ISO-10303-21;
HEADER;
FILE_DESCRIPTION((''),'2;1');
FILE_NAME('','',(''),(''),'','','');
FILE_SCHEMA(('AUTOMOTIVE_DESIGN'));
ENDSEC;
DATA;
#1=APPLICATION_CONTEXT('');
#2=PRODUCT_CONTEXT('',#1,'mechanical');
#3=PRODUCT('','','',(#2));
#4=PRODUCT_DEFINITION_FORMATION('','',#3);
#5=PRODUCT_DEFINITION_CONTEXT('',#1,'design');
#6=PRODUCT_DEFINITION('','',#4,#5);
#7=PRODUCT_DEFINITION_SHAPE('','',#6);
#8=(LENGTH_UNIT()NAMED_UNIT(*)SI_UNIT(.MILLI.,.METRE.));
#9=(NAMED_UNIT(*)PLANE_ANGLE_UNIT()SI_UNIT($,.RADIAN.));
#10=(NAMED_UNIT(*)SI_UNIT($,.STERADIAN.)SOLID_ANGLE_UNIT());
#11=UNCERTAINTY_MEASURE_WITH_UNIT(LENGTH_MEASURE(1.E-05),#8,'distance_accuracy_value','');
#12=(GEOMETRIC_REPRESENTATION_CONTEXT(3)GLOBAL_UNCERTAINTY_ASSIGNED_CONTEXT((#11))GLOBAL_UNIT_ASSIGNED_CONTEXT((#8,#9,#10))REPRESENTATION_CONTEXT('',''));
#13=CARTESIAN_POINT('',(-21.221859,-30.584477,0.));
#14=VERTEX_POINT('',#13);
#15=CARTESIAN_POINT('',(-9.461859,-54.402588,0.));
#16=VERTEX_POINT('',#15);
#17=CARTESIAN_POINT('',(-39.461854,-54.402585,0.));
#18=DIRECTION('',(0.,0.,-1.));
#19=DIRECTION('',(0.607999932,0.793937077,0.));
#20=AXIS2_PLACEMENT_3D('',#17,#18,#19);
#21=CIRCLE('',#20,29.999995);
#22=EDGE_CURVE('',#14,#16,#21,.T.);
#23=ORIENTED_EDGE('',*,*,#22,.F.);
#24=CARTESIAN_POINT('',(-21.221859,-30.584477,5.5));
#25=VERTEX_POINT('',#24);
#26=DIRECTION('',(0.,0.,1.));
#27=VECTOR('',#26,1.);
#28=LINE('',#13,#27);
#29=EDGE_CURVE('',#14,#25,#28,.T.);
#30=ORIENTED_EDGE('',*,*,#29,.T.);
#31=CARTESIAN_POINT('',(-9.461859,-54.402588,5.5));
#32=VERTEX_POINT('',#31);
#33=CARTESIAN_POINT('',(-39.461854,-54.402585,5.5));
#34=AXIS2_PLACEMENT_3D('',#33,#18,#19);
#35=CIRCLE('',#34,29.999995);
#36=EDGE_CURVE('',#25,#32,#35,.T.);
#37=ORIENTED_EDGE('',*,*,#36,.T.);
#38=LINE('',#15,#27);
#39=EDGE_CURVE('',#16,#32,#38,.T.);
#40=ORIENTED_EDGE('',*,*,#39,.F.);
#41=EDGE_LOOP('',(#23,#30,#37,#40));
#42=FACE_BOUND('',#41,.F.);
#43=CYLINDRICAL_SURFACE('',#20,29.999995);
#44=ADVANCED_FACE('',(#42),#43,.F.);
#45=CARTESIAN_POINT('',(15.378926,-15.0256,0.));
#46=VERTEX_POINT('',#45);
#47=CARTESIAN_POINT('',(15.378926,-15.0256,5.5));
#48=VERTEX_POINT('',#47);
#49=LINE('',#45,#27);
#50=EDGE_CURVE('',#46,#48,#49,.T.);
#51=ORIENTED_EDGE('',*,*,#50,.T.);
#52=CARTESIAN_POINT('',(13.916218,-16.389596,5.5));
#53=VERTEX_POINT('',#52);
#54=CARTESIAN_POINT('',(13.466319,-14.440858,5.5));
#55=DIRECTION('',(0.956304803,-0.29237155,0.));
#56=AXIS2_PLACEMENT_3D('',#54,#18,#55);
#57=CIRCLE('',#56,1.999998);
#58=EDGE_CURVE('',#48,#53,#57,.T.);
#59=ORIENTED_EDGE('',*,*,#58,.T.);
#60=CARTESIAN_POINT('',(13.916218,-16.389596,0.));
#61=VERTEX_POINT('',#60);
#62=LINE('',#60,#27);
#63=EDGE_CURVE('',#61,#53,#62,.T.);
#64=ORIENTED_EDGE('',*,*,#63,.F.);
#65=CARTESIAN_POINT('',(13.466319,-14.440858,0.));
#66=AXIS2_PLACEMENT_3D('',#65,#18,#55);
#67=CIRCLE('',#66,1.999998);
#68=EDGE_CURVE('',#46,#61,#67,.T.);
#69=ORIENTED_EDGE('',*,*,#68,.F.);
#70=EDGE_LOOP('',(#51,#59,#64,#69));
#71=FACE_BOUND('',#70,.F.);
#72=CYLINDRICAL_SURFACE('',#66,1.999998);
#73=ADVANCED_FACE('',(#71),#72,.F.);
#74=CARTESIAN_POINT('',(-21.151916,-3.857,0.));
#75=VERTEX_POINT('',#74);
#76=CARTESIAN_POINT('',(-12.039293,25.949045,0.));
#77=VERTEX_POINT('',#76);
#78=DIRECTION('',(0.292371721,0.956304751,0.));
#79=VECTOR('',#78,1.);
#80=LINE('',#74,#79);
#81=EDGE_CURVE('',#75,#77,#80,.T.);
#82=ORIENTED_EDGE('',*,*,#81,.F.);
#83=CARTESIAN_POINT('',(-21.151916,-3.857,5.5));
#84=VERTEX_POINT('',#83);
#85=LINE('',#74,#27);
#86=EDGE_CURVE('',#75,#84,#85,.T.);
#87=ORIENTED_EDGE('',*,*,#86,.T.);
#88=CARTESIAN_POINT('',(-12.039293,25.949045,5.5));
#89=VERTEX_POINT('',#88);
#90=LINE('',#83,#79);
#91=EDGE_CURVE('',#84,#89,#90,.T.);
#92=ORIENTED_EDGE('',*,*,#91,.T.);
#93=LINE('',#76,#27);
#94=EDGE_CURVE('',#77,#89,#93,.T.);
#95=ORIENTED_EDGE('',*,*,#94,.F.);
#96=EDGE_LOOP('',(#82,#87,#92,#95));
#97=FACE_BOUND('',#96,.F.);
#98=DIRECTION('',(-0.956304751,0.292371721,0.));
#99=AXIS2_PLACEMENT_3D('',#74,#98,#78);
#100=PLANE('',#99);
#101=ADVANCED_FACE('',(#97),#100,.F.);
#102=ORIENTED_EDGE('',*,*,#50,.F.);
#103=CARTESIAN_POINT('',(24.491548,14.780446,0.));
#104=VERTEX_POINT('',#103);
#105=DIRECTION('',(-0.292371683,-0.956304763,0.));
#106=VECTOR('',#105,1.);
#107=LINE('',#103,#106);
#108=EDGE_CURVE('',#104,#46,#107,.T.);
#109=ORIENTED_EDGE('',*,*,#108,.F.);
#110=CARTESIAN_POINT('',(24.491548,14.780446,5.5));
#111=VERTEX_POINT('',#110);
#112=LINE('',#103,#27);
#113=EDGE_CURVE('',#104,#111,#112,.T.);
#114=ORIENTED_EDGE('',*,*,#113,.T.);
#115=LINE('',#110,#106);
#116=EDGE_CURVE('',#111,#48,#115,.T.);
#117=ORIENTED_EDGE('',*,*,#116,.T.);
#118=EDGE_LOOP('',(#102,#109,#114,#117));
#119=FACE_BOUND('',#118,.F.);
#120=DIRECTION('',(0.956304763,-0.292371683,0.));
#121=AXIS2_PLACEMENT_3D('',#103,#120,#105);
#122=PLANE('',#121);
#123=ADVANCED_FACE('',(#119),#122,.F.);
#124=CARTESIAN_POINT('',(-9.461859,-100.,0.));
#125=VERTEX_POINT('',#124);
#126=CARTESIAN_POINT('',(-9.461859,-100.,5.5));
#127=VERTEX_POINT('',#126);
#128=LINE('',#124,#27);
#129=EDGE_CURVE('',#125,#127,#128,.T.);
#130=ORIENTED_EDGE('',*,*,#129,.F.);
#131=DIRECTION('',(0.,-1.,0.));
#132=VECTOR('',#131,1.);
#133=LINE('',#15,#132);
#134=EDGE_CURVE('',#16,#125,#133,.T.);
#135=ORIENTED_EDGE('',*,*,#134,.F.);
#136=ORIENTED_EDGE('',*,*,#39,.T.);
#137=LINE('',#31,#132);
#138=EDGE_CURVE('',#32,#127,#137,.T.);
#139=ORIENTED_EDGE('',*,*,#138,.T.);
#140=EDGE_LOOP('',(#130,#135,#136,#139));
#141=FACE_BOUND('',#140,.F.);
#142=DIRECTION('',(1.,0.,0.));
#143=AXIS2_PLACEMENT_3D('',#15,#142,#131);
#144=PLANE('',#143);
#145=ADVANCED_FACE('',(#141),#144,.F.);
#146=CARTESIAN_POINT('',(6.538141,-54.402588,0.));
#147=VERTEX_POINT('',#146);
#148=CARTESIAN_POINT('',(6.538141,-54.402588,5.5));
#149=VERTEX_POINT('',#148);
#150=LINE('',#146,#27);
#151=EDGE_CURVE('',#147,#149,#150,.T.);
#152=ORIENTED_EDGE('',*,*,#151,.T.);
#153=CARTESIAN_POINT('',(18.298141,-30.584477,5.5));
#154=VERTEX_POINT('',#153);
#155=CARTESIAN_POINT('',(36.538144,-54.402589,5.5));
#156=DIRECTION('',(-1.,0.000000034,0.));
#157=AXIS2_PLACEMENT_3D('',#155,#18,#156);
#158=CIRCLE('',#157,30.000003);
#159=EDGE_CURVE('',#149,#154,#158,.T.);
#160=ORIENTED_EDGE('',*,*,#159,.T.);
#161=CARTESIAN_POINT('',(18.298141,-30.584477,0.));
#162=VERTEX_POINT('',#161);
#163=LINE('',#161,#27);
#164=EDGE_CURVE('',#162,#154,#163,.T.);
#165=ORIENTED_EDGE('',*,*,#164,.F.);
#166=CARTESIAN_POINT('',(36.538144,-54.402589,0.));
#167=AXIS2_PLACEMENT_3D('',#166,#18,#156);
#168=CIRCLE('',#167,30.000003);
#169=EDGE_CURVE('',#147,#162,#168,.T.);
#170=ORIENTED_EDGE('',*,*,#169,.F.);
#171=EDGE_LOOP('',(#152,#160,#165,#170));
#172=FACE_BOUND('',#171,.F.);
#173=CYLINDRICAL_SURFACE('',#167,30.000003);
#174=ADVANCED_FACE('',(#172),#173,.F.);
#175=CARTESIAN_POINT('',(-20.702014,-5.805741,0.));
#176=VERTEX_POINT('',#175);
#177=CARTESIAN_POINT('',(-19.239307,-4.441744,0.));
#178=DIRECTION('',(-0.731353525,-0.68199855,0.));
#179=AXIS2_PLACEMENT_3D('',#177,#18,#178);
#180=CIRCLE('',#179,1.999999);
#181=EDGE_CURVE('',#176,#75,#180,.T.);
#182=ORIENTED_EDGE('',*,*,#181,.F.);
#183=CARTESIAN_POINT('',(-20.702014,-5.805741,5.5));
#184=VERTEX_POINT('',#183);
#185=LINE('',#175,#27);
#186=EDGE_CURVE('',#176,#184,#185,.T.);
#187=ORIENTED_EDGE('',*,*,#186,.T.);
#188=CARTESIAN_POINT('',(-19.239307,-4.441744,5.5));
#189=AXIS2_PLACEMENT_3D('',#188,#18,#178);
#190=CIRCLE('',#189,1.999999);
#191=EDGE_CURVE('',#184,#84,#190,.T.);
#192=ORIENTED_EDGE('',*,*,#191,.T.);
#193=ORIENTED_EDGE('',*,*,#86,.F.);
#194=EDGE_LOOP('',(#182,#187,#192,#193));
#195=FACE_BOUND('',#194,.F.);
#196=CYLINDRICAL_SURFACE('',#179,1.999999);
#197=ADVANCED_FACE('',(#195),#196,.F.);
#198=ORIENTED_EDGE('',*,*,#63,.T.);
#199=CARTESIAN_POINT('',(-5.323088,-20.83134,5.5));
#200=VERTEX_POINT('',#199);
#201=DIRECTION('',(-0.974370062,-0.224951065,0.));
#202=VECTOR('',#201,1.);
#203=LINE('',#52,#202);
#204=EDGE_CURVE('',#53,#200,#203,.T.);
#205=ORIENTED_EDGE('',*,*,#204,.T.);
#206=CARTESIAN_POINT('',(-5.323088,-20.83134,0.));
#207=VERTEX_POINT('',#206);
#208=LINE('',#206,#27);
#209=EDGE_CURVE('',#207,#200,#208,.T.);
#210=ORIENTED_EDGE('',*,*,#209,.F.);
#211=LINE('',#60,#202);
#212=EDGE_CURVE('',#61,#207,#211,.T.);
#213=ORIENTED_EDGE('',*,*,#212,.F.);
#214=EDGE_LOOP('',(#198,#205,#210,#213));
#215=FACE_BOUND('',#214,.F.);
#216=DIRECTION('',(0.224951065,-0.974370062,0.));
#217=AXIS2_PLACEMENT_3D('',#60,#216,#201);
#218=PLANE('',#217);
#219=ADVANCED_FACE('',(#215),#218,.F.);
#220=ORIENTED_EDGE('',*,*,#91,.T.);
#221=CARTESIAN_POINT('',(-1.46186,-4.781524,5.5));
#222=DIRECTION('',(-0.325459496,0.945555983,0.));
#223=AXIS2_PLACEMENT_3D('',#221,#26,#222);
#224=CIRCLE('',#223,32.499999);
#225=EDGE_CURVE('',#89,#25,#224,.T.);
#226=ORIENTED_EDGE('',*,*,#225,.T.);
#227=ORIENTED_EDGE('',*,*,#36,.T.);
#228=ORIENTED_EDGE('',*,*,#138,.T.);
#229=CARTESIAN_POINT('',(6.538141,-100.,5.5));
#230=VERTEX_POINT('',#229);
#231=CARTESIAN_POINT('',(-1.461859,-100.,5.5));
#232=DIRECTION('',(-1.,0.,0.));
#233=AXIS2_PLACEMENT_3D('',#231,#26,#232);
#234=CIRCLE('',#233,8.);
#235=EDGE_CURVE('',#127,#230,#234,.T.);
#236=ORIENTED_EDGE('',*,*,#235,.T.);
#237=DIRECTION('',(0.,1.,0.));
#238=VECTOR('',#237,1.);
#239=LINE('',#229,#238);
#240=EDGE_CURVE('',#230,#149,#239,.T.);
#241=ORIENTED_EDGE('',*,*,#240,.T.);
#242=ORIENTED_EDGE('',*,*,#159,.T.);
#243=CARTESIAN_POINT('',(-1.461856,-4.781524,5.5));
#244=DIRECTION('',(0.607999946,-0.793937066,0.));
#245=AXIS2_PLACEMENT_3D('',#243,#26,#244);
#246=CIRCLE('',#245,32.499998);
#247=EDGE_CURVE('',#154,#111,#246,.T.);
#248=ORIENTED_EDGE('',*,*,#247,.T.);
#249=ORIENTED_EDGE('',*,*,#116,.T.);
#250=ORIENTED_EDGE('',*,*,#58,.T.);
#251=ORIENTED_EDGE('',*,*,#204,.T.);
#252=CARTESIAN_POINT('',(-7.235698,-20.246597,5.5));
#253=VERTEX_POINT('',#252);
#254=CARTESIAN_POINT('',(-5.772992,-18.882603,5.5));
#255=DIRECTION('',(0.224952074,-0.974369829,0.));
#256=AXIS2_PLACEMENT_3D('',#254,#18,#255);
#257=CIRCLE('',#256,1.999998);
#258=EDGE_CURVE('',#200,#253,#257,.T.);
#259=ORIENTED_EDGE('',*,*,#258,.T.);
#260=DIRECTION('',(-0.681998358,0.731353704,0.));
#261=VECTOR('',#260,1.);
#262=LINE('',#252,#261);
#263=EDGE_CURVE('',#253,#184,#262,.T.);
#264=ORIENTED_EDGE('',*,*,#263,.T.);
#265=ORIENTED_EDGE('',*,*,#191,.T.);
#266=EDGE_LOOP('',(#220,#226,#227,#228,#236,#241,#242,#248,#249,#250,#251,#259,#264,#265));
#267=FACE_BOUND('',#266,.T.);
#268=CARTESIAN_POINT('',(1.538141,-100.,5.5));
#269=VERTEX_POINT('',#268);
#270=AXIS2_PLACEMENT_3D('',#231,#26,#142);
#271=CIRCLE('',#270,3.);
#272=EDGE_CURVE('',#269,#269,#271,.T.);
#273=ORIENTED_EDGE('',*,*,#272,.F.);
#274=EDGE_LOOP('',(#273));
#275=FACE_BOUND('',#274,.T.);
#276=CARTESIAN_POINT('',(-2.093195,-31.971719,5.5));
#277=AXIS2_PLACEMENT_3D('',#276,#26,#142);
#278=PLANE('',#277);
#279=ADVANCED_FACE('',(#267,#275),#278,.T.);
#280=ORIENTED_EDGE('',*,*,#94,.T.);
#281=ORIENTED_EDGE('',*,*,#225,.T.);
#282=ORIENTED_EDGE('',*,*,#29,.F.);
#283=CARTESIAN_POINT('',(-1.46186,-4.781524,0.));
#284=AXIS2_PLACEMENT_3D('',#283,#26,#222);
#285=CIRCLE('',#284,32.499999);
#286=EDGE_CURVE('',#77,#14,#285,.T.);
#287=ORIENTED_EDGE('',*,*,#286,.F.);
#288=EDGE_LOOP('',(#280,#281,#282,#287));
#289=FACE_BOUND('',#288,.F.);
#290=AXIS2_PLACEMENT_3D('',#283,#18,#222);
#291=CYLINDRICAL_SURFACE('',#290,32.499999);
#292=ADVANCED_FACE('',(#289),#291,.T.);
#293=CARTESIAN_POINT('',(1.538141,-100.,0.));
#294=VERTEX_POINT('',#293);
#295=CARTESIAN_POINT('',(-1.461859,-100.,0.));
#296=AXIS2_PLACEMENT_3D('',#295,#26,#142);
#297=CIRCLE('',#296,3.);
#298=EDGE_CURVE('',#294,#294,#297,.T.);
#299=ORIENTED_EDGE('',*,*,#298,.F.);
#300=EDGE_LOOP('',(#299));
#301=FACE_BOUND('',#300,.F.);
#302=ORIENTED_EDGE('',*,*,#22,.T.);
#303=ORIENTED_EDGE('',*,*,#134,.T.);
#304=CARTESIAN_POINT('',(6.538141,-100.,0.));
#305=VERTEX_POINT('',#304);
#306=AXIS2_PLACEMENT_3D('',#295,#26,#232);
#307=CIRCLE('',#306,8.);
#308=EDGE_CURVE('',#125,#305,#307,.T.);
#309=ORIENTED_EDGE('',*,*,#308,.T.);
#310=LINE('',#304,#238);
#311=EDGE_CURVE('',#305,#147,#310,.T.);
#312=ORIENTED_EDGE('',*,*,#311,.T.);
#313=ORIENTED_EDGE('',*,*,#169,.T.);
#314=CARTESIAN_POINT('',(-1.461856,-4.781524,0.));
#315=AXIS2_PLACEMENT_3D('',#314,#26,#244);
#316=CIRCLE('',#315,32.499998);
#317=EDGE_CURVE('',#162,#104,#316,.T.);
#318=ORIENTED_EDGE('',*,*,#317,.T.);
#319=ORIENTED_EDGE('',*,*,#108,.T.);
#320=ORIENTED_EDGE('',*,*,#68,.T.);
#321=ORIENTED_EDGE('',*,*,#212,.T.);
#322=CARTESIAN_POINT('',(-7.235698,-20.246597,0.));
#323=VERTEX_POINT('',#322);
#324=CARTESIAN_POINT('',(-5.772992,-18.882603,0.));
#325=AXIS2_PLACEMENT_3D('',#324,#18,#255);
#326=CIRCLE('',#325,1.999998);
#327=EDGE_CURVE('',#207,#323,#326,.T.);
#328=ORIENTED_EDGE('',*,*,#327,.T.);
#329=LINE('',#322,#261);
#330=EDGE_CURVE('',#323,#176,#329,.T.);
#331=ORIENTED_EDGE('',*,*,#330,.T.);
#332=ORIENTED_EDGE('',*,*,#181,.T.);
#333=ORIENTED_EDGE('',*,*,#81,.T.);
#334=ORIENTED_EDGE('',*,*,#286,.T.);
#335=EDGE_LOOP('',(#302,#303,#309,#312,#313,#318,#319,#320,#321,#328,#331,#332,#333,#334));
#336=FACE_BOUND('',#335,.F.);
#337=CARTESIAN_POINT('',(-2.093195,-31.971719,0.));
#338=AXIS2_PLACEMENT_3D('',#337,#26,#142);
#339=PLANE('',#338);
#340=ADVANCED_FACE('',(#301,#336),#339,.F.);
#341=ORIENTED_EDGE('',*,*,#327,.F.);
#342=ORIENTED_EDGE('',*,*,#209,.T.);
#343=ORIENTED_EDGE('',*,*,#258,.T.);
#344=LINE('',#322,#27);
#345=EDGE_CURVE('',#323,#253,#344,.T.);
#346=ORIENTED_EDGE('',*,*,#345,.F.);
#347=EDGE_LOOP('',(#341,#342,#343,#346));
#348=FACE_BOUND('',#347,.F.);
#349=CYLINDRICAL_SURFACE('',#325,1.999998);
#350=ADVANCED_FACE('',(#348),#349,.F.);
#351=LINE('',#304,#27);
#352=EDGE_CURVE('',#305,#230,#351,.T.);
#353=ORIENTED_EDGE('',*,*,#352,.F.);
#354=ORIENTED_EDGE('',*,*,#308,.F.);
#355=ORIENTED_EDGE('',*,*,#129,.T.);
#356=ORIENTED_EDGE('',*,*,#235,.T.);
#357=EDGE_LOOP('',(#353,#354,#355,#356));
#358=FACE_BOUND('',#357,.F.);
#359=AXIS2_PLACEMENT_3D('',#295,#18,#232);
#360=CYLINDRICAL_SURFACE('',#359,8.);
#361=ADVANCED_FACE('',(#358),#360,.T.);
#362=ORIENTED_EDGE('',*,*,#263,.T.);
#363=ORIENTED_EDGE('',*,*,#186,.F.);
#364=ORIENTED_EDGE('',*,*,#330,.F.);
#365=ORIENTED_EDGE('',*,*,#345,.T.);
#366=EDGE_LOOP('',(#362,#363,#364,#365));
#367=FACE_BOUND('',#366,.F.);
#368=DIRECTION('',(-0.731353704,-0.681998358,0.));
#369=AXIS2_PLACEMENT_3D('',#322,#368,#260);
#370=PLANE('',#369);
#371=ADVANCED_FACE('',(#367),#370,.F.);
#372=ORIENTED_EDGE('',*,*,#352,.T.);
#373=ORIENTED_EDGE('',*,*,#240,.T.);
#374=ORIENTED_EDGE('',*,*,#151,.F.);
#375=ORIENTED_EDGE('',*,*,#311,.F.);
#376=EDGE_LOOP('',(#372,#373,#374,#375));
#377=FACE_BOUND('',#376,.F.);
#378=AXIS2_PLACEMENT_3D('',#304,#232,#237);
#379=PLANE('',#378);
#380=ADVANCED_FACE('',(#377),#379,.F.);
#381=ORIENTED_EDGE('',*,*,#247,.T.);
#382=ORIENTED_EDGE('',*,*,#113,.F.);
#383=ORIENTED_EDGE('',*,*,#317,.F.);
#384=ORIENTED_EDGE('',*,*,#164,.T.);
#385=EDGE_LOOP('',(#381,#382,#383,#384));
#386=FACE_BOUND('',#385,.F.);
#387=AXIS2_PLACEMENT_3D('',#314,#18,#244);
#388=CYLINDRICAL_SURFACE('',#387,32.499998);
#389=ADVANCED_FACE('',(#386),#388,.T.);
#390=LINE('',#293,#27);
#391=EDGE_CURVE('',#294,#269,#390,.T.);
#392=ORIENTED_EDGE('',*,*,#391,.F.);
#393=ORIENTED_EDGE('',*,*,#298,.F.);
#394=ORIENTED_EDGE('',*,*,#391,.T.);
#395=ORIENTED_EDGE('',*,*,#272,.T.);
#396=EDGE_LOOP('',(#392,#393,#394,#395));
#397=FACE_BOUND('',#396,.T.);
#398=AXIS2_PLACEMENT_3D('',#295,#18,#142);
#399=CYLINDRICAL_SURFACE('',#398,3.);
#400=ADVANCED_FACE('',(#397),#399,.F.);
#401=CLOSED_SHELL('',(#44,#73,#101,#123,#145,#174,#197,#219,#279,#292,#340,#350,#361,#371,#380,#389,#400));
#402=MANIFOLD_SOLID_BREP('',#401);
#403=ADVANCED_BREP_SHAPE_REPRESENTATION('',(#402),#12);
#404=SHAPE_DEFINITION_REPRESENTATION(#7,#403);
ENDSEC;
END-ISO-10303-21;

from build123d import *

# Parameters (mm, degrees)
F0_R     = 3
F1_DEPTH = 5.5


with BuildPart() as f1:
    # F0 (on Top) → F1 (new body)
    with BuildSketch(Plane.XY):
        with BuildLine():
            ThreePointArc((18.298141, -30.584477), (30.73943, -9.177777), (24.491548, 14.780446))
            Line((24.491548, 14.780446), (15.378926, -15.0256))
            ThreePointArc((15.378926, -15.0256), (14.830313, -15.903564), (13.916218, -16.389596))
            Line((13.916218, -16.389596), (-5.323088, -20.83134))
            ThreePointArc((-5.323088, -20.83134), (-6.357734, -20.79521), (-7.235698, -20.246597))
            Line((-7.235698, -20.246597), (-20.702014, -5.805741))
            ThreePointArc((-20.702014, -5.805741), (-21.188047, -4.891646), (-21.151916, -3.857))
            Line((-21.151916, -3.857), (-12.039293, 25.949045))
            ThreePointArc((-12.039293, 25.949045), (-33.541444, 0.429064), (-21.221859, -30.584477))
            ThreePointArc((-21.221859, -30.584477), (-12.562044, -41.121022), (-9.461859, -54.402588))
            Line((-9.461859, -54.402588), (-9.461859, -100))
            ThreePointArc((-9.461859, -100), (-1.461859, -108), (6.538141, -100))
            Line((6.538141, -100), (6.538141, -54.402588))
            ThreePointArc((6.538141, -54.402588), (9.638327, -41.121022), (18.298141, -30.584477))
        make_face()
        with Locations((-1.461859, -100)):
            Circle(F0_R, mode=Mode.SUBTRACT)
    extrude(amount=F1_DEPTH)


solid = f1.part
